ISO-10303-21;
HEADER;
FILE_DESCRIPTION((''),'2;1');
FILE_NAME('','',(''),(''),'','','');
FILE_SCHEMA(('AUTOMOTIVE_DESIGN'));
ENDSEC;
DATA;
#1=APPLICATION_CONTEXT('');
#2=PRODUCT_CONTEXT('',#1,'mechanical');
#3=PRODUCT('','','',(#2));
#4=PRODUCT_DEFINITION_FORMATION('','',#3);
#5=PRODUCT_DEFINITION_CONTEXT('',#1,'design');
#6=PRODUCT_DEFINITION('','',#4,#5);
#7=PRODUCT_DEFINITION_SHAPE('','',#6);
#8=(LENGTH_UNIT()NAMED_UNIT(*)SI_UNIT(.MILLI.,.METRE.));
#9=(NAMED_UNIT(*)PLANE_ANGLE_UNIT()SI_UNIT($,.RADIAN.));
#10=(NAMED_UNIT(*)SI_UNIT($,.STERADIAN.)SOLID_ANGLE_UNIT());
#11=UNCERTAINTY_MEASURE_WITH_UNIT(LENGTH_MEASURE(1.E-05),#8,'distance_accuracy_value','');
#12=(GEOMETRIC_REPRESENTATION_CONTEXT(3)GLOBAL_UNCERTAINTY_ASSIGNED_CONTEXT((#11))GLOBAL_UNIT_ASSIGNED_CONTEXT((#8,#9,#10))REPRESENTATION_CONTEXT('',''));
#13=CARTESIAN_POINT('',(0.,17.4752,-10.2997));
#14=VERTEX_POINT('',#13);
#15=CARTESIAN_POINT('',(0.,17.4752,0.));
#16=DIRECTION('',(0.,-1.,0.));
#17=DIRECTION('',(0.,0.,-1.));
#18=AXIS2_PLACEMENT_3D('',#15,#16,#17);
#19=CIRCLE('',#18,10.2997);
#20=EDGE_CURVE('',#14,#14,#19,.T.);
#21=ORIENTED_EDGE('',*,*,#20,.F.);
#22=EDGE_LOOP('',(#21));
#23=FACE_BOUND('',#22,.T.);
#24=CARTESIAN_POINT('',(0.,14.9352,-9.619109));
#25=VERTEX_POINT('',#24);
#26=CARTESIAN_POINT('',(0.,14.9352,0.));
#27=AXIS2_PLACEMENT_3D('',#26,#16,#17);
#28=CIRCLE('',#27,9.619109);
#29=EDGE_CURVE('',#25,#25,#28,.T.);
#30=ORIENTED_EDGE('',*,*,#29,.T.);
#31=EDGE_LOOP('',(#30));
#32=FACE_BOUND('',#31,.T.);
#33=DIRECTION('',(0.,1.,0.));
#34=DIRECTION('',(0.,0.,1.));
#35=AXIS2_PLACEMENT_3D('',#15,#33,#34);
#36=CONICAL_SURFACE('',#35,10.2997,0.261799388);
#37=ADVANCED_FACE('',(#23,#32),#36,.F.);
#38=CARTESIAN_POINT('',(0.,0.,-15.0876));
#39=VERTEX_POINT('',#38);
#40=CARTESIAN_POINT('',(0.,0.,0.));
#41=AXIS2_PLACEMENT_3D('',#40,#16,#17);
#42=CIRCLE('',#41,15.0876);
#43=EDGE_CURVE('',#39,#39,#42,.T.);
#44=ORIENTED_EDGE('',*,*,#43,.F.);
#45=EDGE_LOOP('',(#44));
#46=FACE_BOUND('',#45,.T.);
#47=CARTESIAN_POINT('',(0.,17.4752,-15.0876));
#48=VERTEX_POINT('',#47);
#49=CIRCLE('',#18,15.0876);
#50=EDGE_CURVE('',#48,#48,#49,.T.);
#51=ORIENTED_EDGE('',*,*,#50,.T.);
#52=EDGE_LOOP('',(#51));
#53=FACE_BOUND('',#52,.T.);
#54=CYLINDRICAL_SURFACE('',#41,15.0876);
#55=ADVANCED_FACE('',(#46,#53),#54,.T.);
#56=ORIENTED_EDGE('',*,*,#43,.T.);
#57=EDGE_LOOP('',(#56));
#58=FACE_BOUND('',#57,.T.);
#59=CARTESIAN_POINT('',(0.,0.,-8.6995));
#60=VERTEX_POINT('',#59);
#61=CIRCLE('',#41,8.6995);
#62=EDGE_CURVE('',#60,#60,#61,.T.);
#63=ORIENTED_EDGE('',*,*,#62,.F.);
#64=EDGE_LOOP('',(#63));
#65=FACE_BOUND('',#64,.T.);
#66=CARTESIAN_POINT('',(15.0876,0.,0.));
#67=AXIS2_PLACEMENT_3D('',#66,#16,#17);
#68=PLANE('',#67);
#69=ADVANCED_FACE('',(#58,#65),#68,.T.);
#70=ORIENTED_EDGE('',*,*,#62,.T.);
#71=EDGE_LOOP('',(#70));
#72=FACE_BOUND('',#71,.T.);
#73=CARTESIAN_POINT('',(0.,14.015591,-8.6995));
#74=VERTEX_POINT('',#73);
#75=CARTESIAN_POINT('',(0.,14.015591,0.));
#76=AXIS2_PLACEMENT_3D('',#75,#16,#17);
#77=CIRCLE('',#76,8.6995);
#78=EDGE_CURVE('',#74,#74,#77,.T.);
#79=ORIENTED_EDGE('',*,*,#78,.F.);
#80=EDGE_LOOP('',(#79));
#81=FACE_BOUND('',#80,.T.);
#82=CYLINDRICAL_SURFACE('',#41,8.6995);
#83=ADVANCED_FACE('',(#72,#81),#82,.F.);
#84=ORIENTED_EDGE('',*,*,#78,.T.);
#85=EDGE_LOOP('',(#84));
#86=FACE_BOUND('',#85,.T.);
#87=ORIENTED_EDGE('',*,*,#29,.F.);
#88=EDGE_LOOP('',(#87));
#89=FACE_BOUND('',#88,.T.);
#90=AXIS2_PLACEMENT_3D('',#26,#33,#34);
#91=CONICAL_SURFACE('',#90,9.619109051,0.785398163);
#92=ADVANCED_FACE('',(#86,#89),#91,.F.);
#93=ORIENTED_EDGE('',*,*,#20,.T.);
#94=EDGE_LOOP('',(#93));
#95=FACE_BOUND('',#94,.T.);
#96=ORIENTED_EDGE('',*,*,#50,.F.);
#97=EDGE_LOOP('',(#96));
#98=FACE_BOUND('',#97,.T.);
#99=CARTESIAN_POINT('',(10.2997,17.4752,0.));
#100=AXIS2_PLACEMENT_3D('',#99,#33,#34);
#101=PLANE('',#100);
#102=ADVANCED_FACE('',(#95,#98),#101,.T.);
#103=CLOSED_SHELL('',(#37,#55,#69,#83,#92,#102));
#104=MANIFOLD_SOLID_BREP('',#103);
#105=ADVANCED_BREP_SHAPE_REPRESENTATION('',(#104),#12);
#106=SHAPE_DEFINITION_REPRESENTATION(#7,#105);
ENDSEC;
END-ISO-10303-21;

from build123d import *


with BuildPart() as part:
    # Sketch1 → Revolve1 (revolve)
    with BuildSketch(Plane.XY, mode=Mode.PRIVATE) as revolve1_sk:
        Polygon((8.6995, 0), (8.6995, 14.015590949), (9.619109051, 14.9352), (10.2997, 17.4752), (15.0876, 17.4752), (15.0876, 0), align=None)
    revolve(revolve1_sk.sketch.rotate(Axis((0, 0, 0), (0, 1, 0)), 90), axis=Axis((0, 0, 0), (0, 1, 0)))


solid = part.part
